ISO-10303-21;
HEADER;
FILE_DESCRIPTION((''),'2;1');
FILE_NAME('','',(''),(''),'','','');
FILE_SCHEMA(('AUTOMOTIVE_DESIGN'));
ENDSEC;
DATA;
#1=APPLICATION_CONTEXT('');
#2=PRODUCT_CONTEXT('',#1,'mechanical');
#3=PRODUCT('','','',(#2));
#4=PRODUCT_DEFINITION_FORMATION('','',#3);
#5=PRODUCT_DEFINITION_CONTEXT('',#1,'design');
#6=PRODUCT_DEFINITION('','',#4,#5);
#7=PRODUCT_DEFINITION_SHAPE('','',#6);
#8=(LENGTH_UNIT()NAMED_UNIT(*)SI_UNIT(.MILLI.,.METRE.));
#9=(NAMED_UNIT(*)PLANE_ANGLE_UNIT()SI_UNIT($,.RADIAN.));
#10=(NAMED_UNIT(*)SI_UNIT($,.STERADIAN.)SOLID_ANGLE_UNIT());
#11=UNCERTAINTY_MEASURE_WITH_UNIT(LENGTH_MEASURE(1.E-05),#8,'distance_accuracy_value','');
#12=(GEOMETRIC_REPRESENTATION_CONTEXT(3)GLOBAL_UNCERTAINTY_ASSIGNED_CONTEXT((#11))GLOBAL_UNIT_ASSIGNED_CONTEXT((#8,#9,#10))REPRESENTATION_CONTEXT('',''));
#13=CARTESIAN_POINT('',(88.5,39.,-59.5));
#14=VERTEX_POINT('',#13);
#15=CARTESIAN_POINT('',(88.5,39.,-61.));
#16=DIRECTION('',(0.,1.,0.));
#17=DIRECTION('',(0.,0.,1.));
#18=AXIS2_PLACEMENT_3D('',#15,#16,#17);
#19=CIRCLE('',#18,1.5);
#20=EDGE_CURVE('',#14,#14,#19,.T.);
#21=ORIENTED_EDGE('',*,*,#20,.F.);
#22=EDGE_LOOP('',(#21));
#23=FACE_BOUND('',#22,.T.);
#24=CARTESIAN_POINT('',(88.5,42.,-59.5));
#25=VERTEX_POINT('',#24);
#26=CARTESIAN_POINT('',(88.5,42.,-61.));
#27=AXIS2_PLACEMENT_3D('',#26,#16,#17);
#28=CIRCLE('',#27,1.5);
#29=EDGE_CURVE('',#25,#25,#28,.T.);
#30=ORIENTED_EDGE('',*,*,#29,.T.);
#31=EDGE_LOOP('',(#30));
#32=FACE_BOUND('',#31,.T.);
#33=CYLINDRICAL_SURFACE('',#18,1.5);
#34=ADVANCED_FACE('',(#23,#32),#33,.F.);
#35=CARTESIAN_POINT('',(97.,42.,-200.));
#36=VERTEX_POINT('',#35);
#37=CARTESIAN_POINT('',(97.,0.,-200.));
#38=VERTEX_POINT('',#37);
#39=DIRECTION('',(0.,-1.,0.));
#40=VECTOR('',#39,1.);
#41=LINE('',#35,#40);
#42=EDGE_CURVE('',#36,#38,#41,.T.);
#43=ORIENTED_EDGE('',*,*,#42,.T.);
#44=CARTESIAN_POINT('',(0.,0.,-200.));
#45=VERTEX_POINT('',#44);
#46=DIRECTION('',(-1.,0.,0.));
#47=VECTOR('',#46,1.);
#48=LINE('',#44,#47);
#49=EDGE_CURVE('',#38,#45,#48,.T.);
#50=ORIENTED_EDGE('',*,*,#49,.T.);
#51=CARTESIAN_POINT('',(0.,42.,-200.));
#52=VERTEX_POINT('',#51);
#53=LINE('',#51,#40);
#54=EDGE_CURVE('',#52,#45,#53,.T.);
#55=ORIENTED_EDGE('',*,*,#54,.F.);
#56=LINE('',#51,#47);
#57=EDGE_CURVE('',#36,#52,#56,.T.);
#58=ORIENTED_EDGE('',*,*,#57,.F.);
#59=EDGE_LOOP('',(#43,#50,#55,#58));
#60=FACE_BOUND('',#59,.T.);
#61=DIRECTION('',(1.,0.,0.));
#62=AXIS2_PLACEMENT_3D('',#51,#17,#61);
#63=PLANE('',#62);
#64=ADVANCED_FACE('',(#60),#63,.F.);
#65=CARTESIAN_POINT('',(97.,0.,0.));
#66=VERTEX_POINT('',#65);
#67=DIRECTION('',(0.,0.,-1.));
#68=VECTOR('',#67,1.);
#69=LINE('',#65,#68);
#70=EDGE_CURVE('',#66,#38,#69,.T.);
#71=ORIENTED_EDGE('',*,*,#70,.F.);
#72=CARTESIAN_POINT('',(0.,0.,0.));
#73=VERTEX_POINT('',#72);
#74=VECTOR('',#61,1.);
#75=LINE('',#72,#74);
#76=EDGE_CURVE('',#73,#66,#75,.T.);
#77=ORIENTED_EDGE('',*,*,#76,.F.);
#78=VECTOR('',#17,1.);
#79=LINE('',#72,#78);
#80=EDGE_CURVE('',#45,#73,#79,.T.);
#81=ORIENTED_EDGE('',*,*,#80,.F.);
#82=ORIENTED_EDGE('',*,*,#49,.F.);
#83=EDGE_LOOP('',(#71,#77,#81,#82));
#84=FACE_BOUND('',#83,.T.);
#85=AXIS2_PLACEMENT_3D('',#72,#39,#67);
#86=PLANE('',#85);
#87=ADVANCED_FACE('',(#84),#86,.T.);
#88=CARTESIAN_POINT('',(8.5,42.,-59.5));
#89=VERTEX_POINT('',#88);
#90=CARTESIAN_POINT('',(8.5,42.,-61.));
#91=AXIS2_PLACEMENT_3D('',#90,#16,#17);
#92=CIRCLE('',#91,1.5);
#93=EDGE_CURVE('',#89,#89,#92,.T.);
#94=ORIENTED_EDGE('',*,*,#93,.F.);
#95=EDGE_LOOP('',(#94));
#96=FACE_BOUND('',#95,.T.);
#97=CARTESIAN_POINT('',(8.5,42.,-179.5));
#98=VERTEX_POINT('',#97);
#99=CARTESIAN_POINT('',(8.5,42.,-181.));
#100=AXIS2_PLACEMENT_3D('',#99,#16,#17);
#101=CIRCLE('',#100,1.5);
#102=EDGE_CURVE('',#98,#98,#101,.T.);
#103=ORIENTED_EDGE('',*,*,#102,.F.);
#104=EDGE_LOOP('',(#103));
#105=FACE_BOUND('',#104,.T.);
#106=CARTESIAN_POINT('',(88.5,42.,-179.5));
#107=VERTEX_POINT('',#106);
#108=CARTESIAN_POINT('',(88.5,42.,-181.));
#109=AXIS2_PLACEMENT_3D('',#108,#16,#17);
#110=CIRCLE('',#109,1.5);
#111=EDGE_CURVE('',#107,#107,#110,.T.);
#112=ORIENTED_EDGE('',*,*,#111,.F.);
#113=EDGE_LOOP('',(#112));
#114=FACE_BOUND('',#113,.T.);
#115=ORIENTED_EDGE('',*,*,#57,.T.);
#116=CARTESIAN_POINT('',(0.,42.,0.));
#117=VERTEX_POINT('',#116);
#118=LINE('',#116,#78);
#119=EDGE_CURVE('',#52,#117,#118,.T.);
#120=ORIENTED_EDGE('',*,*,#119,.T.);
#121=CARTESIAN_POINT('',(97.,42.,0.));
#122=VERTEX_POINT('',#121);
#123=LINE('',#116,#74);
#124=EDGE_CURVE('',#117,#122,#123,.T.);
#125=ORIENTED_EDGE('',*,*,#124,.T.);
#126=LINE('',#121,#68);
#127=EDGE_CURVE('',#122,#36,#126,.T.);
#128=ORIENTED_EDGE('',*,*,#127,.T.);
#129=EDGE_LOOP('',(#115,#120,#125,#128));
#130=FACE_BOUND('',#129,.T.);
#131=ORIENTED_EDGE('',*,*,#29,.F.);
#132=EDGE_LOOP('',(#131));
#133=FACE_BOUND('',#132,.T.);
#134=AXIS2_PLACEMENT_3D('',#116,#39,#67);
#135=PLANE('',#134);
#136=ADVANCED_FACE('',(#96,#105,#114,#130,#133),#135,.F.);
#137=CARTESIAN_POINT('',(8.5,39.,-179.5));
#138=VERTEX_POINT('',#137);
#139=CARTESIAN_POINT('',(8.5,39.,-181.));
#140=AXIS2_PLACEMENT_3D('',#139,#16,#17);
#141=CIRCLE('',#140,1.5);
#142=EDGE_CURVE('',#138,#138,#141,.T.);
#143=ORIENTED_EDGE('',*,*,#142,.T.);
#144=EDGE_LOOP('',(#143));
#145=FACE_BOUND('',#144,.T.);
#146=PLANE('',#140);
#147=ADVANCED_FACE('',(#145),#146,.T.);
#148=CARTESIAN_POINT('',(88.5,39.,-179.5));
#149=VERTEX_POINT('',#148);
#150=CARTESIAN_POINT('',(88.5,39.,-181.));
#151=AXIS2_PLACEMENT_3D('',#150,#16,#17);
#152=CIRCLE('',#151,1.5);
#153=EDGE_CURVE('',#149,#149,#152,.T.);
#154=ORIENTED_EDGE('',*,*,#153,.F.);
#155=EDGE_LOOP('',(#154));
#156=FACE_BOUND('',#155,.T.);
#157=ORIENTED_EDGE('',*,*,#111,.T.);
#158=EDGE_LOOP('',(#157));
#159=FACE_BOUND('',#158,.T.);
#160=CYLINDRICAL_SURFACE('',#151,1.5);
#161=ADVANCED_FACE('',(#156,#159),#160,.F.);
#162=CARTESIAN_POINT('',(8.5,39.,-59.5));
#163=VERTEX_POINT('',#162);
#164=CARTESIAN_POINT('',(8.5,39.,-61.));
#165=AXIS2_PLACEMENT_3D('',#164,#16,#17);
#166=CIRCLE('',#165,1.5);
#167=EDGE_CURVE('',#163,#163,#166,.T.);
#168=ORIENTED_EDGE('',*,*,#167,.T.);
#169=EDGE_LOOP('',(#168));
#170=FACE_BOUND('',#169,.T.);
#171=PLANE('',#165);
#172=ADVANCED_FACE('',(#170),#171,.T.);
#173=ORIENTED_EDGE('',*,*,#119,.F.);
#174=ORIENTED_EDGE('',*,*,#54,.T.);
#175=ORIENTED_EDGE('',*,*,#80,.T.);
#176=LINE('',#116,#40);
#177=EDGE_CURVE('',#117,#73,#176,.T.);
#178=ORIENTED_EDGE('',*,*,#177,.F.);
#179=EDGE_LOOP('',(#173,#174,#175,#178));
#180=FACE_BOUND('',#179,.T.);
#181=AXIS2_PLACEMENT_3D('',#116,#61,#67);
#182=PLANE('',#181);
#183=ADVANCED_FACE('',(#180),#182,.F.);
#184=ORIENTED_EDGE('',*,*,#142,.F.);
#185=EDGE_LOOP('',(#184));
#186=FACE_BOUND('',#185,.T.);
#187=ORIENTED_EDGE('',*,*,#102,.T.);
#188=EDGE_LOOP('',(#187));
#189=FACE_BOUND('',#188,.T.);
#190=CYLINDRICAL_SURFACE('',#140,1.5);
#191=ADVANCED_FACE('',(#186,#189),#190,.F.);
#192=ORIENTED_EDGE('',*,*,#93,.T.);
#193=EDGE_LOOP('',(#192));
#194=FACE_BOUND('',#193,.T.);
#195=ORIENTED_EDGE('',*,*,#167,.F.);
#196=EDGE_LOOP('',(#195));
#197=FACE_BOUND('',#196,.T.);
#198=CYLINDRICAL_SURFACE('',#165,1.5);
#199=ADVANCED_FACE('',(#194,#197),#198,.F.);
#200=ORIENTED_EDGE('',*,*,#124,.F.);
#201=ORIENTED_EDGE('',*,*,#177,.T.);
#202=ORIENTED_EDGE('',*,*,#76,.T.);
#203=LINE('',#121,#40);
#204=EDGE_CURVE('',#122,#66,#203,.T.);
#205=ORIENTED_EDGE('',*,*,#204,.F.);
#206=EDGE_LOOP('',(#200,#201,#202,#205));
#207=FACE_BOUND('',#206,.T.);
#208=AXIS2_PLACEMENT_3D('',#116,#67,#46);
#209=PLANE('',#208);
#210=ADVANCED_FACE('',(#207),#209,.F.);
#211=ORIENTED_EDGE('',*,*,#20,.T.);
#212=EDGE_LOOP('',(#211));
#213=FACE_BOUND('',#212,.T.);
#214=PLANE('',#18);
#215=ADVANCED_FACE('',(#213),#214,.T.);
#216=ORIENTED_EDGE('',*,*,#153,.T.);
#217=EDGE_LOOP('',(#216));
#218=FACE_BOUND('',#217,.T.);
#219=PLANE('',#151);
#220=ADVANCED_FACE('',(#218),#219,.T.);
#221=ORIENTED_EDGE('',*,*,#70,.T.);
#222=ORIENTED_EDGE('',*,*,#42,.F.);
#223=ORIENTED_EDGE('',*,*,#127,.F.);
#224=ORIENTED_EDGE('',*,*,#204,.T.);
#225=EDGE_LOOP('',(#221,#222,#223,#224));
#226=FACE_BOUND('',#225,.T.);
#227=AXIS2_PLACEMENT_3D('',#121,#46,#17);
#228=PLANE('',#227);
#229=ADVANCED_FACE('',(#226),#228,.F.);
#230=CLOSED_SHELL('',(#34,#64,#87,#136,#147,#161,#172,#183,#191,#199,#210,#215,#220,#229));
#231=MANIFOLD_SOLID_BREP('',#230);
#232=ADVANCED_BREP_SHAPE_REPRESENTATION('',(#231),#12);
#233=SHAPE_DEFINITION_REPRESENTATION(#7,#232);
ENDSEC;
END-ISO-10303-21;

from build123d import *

# Parameters (mm, degrees)
SKETCH1_W           = 97
SKETCH1_H           = 200
BOSS_EXTRUDE1_DEPTH = 42
SKETCH3_R           = 1.5
CUT_EXTRUDE1_DEPTH  = 3


with BuildPart() as part:
    # Sketch1 → Boss-Extrude1 (new body)
    with BuildSketch(Plane(origin=(0, 0, 0), x_dir=(1, 0, 0), z_dir=(0, 1, 0))):
        with Locations((48.5, 100)):
            Rectangle(SKETCH1_W, SKETCH1_H)
    extrude(amount=BOSS_EXTRUDE1_DEPTH)

    # Sketch3 → Cut-Extrude1 (cut)
    with BuildSketch(Plane(origin=(0, 42, 0), x_dir=(1, 0, 0), z_dir=(0, 1, 0))):
        with Locations(Location((88.5, 61, 0), (0, 0, 270))):
            Circle(SKETCH3_R)
        with Locations(Location((8.5, 61, 0), (0, 0, 270))):
            Circle(SKETCH3_R)
        with Locations(Location((88.5, 181, 0), (0, 0, 270))):
            Circle(SKETCH3_R)
        with Locations(Location((8.5, 181, 0), (0, 0, 270))):
            Circle(SKETCH3_R)
    extrude(amount=-CUT_EXTRUDE1_DEPTH, mode=Mode.SUBTRACT)


solid = part.part
